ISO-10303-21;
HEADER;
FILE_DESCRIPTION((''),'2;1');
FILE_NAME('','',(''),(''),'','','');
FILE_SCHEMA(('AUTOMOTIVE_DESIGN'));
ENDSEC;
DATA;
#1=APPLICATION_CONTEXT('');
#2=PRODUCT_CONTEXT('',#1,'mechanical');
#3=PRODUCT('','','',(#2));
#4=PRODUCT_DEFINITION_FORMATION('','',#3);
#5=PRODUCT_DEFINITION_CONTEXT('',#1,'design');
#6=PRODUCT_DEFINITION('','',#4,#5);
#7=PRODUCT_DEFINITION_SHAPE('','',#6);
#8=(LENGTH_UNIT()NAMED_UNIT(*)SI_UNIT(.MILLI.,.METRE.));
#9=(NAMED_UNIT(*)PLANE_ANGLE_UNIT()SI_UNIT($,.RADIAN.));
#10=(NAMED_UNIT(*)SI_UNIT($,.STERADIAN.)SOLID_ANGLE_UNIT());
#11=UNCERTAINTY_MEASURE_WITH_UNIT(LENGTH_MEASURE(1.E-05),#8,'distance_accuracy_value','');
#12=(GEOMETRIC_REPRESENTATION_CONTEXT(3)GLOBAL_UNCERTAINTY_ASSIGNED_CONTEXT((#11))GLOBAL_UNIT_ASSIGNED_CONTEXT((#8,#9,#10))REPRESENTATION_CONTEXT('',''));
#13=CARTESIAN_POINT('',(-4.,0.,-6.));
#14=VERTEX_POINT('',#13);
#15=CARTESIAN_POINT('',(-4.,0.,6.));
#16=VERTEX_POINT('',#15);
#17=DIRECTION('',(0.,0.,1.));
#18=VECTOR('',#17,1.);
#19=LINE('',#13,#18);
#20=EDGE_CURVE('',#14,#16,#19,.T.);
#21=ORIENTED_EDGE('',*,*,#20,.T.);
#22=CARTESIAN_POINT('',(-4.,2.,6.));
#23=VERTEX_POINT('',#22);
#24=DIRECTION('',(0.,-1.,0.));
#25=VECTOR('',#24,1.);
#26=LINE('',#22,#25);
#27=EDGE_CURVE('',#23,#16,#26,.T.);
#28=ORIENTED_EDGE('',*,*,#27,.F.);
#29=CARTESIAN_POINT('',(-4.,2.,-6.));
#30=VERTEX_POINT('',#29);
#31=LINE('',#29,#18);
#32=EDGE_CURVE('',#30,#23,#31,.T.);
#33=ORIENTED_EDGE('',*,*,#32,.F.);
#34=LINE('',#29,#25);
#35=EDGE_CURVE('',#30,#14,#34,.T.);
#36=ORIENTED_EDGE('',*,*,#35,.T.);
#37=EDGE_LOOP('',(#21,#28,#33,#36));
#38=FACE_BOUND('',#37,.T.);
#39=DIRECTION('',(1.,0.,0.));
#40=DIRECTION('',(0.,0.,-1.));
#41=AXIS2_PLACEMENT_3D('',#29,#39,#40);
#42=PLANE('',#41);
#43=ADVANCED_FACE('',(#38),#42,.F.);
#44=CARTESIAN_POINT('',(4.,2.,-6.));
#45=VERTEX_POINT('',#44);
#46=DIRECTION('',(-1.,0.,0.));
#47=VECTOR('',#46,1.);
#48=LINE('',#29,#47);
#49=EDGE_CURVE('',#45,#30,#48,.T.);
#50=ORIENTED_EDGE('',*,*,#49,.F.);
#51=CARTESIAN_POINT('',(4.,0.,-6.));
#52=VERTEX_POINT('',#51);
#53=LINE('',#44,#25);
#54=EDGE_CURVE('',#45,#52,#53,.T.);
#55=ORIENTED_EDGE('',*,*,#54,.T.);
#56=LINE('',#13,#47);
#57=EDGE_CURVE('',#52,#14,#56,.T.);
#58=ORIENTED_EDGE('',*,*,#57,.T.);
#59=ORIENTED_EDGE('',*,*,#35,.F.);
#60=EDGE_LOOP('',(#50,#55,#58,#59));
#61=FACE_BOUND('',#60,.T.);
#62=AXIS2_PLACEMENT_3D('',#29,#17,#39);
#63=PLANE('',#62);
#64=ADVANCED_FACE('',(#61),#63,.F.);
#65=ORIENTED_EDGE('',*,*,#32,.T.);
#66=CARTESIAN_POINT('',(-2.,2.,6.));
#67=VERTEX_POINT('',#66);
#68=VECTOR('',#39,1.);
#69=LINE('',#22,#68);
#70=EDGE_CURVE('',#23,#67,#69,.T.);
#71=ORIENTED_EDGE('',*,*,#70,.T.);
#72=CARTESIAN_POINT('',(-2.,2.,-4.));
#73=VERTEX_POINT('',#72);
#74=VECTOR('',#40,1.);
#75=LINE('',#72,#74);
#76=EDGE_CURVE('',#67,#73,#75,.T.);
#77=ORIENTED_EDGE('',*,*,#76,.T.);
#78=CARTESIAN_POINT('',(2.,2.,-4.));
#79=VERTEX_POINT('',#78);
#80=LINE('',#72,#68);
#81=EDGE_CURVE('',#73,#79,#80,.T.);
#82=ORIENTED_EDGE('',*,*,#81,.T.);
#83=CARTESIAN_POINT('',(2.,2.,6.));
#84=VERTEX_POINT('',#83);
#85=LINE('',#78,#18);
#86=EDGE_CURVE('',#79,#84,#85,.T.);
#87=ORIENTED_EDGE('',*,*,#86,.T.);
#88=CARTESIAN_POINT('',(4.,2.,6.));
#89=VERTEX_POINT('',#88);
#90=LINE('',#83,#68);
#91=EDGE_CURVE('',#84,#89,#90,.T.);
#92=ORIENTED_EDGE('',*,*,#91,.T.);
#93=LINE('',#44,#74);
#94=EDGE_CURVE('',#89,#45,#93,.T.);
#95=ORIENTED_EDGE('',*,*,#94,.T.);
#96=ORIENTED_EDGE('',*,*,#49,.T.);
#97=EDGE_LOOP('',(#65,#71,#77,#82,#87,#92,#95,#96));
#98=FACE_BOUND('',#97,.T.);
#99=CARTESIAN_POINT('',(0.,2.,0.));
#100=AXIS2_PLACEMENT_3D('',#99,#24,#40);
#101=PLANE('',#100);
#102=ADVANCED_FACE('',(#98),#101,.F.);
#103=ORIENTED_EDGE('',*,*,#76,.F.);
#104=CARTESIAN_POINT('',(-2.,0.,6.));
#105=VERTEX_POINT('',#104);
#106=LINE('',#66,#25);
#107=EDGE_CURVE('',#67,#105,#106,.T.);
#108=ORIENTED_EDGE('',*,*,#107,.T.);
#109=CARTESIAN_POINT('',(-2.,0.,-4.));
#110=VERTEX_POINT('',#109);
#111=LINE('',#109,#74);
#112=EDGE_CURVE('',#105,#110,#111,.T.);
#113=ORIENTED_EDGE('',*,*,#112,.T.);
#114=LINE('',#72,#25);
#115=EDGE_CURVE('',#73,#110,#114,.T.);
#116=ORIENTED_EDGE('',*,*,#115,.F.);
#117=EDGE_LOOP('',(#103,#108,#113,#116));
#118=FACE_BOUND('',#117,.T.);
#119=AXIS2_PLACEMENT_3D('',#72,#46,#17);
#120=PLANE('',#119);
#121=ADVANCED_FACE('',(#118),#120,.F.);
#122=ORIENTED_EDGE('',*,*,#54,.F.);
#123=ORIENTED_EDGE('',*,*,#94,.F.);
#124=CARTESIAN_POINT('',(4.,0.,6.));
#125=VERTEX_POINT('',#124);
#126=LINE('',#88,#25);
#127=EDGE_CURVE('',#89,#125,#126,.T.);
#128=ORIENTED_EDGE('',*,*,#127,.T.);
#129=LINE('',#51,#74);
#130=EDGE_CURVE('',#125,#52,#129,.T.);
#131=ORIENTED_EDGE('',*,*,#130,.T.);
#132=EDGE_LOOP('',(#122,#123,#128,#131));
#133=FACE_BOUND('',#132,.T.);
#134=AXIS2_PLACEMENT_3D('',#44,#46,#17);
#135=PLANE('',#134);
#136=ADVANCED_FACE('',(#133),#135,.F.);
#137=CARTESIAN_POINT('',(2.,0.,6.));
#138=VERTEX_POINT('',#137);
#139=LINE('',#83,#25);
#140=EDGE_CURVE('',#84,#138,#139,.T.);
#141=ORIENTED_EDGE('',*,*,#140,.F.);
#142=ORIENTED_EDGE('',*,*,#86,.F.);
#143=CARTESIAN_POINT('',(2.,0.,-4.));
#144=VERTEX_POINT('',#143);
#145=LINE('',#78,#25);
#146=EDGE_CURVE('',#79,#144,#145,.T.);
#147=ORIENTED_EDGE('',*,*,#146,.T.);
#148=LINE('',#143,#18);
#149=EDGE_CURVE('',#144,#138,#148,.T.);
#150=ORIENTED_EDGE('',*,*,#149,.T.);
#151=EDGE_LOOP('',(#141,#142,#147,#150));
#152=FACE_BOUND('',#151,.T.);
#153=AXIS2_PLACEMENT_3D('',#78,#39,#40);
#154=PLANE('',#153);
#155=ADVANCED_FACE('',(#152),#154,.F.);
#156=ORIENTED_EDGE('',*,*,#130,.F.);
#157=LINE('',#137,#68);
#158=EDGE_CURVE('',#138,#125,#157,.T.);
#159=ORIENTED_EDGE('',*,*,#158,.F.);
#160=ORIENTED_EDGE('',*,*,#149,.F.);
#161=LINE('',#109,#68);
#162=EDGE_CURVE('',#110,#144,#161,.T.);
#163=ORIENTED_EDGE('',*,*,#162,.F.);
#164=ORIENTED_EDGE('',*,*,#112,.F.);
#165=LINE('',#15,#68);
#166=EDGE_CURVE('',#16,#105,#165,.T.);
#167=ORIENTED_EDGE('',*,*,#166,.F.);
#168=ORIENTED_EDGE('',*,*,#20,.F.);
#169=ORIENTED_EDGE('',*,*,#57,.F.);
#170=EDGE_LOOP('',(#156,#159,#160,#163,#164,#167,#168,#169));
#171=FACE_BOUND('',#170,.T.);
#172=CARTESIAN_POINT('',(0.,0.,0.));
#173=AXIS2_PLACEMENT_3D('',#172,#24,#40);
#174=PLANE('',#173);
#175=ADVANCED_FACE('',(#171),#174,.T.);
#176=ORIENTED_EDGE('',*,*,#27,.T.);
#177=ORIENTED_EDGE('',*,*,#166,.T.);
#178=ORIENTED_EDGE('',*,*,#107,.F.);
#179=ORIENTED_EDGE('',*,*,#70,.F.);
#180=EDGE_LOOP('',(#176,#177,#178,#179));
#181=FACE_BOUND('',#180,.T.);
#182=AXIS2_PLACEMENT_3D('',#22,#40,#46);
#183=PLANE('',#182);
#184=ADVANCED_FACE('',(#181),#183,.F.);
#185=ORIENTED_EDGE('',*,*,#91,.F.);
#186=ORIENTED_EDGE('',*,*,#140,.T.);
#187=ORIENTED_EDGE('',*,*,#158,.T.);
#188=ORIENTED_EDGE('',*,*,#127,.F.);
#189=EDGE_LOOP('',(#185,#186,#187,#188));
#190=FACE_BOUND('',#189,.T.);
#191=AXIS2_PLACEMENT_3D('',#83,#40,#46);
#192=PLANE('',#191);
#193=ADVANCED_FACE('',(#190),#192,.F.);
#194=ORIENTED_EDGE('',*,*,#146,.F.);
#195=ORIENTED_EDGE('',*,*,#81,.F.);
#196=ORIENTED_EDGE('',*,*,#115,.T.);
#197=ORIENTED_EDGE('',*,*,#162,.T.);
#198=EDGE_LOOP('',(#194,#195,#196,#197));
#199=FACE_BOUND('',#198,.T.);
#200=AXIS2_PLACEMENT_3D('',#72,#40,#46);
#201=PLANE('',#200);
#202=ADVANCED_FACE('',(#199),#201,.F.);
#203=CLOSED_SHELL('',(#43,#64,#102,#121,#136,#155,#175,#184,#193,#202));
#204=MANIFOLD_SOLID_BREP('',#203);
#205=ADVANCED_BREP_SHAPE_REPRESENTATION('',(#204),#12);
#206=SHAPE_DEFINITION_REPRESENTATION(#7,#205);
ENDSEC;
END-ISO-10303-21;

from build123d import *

# Parameters (mm, degrees)
BOSS_EXTRUDE1_DEPTH = 2


with BuildPart() as part:
    # Sketch1 → Boss-Extrude1 (new body)
    with BuildSketch(Plane(origin=(0, 0, 0), x_dir=(1, 0, 0), z_dir=(0, 1, 0))):
        Polygon((2, 4), (2, -6), (4, -6), (4, 6), (-4, 6), (-4, -6), (-2, -6), (-2, 4), align=None)
    extrude(amount=BOSS_EXTRUDE1_DEPTH)


solid = part.part
